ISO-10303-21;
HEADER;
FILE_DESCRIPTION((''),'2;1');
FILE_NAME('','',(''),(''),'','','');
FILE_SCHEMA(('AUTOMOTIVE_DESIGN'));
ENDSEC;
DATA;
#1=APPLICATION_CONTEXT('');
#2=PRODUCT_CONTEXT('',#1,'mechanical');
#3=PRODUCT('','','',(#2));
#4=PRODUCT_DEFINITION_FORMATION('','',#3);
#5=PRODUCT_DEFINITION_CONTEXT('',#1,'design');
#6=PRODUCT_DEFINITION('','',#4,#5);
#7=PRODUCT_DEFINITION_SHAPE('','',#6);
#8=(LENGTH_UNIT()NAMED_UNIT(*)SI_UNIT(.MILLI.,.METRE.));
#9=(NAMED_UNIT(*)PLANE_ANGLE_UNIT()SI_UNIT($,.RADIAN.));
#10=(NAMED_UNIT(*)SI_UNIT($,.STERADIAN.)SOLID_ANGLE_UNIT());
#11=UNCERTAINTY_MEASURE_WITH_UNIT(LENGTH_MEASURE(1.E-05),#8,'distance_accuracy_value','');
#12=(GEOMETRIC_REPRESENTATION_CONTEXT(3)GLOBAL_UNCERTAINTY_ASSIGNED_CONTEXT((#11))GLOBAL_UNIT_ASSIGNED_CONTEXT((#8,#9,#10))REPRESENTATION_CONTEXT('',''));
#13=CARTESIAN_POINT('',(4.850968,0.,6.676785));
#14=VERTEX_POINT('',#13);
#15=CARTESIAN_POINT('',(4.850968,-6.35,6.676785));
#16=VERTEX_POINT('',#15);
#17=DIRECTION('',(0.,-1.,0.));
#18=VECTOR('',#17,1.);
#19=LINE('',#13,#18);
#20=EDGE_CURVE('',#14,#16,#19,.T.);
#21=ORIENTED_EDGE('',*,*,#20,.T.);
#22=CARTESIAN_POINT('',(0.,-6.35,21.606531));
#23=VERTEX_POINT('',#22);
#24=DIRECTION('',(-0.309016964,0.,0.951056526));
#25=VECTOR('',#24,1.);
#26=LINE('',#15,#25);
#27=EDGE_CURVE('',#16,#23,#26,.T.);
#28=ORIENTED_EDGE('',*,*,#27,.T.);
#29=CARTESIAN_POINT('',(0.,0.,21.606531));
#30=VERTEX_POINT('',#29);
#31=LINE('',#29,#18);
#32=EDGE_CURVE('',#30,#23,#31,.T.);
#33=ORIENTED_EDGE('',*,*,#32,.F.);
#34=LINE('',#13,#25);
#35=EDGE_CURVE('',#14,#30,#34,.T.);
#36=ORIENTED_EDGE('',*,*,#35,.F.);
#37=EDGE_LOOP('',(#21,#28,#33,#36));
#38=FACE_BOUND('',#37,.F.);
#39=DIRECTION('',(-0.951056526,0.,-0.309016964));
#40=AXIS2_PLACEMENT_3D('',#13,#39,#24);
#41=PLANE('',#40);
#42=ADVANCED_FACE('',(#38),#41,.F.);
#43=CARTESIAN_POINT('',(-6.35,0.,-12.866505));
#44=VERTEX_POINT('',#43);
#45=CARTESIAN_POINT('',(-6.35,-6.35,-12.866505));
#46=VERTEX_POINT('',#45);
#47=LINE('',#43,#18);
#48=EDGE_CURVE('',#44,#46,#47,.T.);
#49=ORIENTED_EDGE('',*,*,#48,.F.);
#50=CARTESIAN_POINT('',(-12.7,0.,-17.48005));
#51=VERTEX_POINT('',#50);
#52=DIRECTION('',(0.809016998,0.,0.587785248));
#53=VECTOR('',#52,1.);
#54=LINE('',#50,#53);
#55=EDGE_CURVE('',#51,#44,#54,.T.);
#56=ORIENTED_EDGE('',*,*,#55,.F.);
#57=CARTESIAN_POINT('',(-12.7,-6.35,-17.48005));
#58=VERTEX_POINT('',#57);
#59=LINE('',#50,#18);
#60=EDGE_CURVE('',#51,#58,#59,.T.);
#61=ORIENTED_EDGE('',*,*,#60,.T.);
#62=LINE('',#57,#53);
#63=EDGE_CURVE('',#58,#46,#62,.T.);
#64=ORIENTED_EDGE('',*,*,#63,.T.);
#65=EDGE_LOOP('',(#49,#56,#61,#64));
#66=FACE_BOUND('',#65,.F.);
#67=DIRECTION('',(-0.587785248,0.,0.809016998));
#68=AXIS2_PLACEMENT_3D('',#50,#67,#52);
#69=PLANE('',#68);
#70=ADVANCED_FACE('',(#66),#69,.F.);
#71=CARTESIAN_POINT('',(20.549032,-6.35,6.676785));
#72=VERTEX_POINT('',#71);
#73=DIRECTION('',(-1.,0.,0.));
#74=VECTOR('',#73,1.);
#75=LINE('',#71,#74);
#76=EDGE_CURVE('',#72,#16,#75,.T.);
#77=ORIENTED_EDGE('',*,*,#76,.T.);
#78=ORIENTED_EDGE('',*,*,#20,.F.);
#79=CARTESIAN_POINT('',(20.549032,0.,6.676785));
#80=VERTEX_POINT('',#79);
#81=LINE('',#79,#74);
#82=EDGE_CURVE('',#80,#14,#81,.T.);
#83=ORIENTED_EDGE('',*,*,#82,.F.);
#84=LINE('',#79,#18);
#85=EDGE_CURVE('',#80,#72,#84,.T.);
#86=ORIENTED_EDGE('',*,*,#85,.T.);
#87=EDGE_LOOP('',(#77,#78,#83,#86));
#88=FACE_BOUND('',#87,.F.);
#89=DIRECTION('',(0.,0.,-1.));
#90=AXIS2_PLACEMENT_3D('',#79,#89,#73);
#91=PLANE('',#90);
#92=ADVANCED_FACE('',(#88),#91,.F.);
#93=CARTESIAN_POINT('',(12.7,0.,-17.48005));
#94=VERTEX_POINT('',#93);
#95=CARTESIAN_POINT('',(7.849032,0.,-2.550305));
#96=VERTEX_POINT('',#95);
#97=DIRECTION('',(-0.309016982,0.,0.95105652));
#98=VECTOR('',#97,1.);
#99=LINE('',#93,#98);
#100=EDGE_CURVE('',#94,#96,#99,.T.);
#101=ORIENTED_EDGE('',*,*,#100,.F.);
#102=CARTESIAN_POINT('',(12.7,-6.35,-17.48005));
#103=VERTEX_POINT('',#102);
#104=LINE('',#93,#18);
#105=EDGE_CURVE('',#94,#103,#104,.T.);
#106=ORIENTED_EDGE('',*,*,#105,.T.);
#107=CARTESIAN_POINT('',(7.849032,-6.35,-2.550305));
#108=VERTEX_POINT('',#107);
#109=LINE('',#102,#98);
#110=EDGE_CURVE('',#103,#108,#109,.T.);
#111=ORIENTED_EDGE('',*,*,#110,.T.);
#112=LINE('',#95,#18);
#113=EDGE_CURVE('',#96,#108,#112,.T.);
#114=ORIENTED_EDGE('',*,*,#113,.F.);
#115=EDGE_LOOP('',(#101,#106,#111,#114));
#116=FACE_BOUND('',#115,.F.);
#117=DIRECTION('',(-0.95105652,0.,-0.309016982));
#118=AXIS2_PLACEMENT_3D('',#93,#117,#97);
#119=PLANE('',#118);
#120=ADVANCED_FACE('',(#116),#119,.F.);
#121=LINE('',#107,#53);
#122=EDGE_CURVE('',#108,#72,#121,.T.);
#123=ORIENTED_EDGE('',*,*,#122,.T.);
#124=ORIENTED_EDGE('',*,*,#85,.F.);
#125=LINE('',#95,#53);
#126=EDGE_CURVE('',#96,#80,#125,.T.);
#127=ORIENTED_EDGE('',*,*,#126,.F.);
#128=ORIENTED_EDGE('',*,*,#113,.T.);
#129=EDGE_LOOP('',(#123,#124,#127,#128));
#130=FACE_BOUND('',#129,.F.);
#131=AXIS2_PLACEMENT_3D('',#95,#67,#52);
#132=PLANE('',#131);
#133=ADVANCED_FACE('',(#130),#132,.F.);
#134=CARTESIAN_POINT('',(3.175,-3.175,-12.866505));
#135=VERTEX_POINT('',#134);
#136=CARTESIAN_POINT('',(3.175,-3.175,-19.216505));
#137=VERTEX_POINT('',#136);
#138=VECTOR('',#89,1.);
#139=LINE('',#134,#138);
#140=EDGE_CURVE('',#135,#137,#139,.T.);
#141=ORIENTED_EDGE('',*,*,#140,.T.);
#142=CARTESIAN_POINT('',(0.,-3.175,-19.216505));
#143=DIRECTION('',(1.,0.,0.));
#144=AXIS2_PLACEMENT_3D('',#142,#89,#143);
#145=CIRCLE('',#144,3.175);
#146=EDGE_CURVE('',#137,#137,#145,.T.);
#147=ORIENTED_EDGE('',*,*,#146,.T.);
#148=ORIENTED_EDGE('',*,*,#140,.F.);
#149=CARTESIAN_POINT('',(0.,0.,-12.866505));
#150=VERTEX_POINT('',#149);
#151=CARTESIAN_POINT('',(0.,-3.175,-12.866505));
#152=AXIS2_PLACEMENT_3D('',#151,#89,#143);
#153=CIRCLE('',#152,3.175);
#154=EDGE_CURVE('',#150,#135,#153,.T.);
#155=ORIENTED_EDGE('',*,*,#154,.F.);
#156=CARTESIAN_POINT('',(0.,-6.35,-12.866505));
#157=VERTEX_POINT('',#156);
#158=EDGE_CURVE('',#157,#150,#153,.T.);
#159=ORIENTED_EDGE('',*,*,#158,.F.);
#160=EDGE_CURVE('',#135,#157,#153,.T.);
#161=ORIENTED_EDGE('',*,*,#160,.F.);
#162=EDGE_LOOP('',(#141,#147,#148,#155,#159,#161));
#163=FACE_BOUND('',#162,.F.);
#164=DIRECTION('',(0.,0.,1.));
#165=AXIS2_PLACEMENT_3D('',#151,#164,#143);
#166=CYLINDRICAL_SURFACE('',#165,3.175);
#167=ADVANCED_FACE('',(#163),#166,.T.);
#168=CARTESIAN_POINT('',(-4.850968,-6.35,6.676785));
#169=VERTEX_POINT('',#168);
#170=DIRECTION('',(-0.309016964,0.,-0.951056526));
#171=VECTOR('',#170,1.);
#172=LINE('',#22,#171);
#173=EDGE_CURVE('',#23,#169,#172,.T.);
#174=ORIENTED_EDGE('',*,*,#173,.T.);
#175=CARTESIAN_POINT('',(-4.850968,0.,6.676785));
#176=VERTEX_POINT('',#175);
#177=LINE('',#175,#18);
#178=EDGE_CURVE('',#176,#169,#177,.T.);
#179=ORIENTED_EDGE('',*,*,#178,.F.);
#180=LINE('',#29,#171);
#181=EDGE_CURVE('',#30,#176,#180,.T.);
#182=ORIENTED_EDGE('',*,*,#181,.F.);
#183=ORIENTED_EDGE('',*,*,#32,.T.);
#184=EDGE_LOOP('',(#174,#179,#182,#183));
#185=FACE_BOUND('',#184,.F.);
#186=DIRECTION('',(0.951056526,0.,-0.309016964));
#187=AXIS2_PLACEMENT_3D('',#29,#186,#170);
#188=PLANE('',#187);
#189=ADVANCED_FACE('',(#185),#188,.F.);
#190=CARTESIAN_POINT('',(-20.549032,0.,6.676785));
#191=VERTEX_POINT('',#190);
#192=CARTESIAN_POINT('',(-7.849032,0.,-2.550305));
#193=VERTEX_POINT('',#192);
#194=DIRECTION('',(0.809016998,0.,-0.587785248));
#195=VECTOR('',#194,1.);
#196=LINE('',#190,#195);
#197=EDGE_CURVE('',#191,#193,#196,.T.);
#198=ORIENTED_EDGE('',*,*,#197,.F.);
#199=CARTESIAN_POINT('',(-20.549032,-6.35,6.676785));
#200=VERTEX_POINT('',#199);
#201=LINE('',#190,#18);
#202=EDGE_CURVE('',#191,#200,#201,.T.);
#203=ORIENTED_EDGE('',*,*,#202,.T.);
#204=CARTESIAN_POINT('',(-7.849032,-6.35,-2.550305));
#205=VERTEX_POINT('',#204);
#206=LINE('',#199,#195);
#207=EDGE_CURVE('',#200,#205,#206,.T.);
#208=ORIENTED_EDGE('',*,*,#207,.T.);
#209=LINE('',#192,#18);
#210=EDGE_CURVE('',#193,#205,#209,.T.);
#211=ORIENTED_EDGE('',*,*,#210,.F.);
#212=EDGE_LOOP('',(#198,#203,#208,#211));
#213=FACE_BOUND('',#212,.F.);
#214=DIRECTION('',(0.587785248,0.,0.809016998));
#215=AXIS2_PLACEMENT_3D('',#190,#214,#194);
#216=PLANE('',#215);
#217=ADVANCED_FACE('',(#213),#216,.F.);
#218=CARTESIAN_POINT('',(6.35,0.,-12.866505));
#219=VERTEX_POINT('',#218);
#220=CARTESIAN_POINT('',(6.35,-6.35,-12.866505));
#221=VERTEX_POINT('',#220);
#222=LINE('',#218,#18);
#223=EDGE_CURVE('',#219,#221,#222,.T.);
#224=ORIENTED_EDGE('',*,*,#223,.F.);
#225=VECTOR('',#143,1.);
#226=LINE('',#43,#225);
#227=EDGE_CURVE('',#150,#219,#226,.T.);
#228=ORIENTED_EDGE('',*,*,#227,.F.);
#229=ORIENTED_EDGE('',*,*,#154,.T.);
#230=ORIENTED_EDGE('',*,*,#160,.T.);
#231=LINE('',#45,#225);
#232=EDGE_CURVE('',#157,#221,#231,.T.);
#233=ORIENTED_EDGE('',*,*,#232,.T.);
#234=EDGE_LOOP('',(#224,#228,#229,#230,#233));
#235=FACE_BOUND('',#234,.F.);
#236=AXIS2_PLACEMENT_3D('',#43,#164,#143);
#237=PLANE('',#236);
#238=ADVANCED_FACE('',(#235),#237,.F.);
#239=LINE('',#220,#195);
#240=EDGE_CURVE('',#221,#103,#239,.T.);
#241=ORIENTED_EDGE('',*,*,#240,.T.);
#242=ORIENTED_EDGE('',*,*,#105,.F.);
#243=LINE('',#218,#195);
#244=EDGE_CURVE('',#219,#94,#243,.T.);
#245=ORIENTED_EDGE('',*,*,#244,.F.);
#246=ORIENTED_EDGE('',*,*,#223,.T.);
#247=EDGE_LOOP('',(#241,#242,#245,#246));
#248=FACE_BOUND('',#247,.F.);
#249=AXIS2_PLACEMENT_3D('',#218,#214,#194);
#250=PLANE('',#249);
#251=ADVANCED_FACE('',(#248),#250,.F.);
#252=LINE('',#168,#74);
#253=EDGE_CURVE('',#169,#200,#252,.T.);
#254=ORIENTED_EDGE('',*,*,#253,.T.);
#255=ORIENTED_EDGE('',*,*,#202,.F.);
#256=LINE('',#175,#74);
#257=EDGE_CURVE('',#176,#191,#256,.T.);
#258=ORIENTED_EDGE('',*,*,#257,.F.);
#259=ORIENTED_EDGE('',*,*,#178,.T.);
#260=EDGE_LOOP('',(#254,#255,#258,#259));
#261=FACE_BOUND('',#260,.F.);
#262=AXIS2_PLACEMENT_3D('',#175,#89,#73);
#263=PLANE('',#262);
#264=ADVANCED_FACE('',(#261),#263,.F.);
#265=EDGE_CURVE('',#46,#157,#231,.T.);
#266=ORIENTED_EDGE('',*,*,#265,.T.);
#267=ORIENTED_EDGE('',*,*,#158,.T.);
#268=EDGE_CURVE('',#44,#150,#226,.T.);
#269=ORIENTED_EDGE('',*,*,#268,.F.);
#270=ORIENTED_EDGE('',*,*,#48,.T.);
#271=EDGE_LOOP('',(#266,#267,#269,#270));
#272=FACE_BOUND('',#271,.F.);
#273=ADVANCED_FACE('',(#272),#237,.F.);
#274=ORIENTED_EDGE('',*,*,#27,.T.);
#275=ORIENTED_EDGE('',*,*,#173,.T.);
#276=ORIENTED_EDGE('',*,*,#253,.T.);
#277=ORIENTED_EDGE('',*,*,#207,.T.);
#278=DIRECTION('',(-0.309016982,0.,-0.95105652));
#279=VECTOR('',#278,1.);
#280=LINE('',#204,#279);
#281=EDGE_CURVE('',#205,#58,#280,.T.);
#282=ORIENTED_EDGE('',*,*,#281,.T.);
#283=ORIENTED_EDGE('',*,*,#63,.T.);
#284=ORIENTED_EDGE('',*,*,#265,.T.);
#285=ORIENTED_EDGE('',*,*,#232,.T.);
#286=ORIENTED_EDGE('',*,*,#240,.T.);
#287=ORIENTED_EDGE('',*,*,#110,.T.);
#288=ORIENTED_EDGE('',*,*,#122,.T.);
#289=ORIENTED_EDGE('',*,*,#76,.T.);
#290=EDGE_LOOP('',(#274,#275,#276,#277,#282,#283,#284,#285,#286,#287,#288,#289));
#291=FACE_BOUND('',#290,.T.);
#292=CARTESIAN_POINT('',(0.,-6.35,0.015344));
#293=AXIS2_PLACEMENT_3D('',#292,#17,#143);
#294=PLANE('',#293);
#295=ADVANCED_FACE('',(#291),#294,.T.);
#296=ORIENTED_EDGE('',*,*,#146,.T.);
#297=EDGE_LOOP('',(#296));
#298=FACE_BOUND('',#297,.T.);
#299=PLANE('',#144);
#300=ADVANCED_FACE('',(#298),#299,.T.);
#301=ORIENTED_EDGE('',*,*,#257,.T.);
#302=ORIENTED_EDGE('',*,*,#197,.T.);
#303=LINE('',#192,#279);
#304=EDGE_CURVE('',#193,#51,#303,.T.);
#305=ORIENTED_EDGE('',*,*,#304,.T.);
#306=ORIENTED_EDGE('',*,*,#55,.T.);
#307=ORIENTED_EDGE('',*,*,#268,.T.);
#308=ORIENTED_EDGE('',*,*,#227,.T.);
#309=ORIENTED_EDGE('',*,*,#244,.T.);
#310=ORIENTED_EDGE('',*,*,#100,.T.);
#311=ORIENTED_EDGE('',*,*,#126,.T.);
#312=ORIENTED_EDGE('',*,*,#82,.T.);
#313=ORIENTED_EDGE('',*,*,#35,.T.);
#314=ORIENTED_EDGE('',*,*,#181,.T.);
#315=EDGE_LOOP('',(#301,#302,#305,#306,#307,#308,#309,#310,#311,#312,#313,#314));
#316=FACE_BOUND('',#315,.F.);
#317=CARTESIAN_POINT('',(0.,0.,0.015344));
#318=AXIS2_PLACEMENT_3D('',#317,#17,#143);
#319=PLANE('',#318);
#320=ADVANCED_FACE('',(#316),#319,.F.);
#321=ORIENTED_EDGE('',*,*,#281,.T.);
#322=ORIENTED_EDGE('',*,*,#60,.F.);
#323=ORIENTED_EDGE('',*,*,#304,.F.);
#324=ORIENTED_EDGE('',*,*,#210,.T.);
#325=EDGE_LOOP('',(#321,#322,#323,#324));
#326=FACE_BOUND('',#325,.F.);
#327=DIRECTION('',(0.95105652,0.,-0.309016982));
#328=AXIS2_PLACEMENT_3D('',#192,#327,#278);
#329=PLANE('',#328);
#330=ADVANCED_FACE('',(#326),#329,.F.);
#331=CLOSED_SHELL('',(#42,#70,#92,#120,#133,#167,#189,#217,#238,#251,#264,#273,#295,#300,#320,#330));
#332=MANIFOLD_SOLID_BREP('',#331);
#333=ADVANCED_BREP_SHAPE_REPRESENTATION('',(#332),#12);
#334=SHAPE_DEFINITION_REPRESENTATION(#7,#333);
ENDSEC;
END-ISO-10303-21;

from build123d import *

# Parameters (mm, degrees)
F1_DEPTH = 6.35
F2_R     = 3.175
F3_DEPTH = 6.35


with BuildPart() as f1:
    # F0 (on Front) → F1 (new body)
    with BuildSketch(Plane.XZ):
        Polygon((4.850968, 6.676785), (0, 21.606531), (-4.850968, 6.676785), (-20.549032, 6.676785), (-7.849032, -2.550305), (-12.7, -17.48005), (-6.35, -12.866505), (6.35, -12.866505), (12.7, -17.48005), (7.849032, -2.550305), (20.549032, 6.676785), align=None)
    extrude(amount=F1_DEPTH)

    # F2 (on face) → F3 (join)
    with BuildSketch(Plane(origin=(0, 0, -12.866505), x_dir=(1, 0, 0), z_dir=(0, 0, -1))):
        with Locations((0, 3.175)):
            Circle(F2_R)
    extrude(amount=F3_DEPTH)


solid = f1.part
